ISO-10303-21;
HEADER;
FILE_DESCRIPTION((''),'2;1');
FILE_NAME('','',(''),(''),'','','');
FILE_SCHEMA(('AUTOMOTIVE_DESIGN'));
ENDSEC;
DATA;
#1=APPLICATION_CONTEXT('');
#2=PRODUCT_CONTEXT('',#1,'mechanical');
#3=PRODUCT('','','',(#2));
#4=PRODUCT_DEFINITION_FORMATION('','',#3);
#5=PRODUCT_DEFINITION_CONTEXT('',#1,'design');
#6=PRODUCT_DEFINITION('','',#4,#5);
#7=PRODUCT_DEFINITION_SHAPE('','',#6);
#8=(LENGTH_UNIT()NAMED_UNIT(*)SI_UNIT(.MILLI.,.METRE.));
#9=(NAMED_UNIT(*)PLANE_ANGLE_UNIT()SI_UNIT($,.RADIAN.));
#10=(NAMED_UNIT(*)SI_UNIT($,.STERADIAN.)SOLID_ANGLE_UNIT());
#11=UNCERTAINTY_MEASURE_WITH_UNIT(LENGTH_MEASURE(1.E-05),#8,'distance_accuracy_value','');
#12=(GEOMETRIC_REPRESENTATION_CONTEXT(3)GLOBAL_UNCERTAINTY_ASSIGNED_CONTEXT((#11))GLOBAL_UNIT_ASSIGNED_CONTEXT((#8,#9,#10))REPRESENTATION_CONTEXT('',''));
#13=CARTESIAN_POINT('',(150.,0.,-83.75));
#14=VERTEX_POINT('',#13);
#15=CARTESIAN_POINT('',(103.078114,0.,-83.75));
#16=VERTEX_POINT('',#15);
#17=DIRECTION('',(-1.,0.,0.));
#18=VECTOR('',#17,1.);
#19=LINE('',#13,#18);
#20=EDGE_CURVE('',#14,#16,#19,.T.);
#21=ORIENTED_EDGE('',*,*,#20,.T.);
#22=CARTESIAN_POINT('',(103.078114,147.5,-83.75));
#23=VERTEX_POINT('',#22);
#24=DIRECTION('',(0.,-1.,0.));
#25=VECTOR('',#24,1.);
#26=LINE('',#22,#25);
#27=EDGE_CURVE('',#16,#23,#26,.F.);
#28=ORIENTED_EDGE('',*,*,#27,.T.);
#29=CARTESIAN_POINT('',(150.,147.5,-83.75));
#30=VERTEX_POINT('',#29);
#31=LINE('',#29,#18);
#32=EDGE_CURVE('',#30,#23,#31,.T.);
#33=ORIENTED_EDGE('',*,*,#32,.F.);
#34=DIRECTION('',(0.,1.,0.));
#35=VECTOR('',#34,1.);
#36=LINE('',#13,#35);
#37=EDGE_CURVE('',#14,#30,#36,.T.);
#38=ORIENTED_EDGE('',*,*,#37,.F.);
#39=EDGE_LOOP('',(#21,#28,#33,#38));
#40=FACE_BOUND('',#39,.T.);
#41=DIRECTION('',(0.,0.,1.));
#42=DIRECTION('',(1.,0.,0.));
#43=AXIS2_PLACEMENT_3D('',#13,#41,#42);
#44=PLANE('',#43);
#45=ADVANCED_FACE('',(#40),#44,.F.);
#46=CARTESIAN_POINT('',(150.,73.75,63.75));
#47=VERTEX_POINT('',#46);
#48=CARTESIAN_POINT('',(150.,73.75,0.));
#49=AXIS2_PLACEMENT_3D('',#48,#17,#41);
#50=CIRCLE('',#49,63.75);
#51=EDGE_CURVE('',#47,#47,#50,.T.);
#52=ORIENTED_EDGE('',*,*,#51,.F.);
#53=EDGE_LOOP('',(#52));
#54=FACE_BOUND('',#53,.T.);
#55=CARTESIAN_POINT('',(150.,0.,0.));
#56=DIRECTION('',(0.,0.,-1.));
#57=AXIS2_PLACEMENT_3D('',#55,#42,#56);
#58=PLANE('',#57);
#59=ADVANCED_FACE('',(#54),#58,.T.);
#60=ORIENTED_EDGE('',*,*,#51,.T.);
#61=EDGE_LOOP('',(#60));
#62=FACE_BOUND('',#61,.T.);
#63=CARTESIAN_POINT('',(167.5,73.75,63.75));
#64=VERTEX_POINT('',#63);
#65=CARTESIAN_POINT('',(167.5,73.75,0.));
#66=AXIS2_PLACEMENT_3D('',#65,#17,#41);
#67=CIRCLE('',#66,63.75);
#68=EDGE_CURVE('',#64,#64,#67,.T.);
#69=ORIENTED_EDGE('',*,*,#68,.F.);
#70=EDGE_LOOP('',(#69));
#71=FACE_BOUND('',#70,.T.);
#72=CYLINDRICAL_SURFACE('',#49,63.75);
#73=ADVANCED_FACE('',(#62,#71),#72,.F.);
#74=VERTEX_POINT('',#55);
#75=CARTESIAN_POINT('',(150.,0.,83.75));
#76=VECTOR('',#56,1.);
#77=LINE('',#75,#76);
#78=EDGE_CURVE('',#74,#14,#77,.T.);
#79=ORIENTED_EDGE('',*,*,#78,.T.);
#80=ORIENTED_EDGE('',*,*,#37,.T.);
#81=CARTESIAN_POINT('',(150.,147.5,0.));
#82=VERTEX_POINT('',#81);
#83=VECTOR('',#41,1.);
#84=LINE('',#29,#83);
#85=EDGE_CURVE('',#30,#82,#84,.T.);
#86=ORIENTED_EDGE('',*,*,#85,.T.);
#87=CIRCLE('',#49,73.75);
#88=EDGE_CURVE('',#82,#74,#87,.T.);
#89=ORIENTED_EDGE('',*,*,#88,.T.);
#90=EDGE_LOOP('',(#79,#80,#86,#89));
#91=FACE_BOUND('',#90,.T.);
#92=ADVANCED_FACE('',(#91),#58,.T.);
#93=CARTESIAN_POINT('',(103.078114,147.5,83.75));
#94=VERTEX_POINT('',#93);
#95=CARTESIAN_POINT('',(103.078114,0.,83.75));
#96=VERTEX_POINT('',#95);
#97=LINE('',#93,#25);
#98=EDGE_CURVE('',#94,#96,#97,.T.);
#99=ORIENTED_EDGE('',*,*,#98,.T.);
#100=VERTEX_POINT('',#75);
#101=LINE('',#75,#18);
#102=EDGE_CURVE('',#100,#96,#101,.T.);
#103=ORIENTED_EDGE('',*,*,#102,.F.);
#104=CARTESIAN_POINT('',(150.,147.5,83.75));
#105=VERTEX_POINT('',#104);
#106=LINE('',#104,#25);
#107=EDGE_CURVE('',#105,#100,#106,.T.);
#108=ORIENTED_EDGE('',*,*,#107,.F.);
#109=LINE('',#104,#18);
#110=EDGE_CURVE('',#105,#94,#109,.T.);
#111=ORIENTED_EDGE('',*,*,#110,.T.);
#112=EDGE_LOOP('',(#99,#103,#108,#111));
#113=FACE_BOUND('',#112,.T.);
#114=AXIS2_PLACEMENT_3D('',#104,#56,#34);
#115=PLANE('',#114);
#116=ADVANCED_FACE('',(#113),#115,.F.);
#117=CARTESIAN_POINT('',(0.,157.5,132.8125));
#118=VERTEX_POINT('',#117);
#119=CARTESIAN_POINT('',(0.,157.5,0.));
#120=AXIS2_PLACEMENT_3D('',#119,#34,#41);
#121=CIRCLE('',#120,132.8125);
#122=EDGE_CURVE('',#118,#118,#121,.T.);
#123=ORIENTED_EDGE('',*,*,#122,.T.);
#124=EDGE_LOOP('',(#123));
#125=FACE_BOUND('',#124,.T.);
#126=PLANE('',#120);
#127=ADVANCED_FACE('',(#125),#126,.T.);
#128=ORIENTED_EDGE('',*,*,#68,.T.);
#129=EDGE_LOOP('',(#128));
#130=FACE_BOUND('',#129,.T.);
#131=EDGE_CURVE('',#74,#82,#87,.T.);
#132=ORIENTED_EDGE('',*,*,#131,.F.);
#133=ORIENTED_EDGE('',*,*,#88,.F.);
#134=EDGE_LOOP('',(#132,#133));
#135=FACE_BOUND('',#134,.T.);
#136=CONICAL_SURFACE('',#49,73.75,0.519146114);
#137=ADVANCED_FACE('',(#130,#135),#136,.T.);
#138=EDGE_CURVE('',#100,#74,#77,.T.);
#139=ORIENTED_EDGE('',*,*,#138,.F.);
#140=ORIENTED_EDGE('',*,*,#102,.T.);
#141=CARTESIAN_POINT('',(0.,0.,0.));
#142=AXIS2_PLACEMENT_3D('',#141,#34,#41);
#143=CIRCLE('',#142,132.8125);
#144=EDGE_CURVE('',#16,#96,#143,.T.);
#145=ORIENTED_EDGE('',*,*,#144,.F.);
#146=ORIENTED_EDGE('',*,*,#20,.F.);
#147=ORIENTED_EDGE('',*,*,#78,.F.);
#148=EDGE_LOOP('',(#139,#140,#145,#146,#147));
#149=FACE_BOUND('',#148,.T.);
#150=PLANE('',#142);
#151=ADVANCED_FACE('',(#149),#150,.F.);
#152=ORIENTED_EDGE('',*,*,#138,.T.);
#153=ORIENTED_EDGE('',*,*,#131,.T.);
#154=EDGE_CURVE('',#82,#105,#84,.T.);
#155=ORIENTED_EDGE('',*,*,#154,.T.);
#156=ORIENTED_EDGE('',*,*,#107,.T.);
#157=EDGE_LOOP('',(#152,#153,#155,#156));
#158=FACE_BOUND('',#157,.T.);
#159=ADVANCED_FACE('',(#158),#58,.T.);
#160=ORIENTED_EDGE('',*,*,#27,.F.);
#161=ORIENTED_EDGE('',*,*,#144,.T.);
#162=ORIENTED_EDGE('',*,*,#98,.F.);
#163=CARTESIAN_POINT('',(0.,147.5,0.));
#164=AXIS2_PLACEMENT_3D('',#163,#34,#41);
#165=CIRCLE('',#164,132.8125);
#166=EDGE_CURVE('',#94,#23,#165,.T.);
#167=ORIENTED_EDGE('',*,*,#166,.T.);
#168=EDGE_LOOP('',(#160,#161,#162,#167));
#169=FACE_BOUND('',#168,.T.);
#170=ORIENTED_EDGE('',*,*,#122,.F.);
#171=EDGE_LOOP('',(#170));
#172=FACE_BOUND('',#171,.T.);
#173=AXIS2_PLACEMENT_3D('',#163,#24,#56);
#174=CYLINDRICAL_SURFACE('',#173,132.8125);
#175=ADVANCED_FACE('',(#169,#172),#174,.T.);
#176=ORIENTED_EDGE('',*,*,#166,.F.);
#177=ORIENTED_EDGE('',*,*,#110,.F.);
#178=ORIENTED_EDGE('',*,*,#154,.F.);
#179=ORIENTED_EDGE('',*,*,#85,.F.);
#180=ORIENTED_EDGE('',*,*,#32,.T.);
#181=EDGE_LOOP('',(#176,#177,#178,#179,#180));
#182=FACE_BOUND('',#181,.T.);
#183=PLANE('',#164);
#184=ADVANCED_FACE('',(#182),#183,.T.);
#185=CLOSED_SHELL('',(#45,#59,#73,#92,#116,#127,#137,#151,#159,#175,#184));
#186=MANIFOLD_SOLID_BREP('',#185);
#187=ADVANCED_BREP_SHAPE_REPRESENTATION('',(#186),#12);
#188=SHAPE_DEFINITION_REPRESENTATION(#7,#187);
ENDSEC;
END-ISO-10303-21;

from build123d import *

# Parameters (mm, degrees)
SKETCH1_R           = 132.8125
BOSS_EXTRUDE1_DEPTH = 147.5
SKETCH2_W           = 167.5
SKETCH2_H           = 147.5
BOSS_EXTRUDE2_DEPTH = 150
SKETCH5_R           = 132.8125
BOSS_EXTRUDE3_DEPTH = 10


with BuildPart() as part:
    # Sketch1 → Boss-Extrude1 (new body)
    with BuildSketch(Plane(origin=(0, 0, 0), x_dir=(1, 0, 0), z_dir=(0, 1, 0))):
        with Locations(Location((0, 0, 0), (0, 0, 270))):
            Circle(SKETCH1_R)
    extrude(amount=BOSS_EXTRUDE1_DEPTH)

    # Sketch2 → Boss-Extrude2 (add)
    with BuildSketch(Plane(origin=(0, 0, 0), x_dir=(0, 0, -1), z_dir=(1, 0, 0))):
        with Locations((0, 73.75)):
            Rectangle(SKETCH2_W, SKETCH2_H)
    extrude(amount=BOSS_EXTRUDE2_DEPTH)

    # Sketch4 → Revolve1 (revolve)
    with BuildSketch(Plane.XY, mode=Mode.PRIVATE) as revolve1_sk:
        Polygon((150, 0), (150, 10), (167.5, 10), align=None)
    revolve(revolve1_sk.sketch.rotate(Axis((150, 73.75, 0), (1, 0, 0)), 270), axis=Axis((150, 73.75, 0), (1, 0, 0)))

    # Sketch5 → Boss-Extrude3 (add)
    with BuildSketch(Plane(origin=(0, 147.5, 0), x_dir=(1, 0, 0), z_dir=(0, 1, 0))):
        with Locations(Location((0, 0, 0), (0, 0, 39.093534815))):
            Circle(SKETCH5_R)
    extrude(amount=BOSS_EXTRUDE3_DEPTH)


solid = part.part
